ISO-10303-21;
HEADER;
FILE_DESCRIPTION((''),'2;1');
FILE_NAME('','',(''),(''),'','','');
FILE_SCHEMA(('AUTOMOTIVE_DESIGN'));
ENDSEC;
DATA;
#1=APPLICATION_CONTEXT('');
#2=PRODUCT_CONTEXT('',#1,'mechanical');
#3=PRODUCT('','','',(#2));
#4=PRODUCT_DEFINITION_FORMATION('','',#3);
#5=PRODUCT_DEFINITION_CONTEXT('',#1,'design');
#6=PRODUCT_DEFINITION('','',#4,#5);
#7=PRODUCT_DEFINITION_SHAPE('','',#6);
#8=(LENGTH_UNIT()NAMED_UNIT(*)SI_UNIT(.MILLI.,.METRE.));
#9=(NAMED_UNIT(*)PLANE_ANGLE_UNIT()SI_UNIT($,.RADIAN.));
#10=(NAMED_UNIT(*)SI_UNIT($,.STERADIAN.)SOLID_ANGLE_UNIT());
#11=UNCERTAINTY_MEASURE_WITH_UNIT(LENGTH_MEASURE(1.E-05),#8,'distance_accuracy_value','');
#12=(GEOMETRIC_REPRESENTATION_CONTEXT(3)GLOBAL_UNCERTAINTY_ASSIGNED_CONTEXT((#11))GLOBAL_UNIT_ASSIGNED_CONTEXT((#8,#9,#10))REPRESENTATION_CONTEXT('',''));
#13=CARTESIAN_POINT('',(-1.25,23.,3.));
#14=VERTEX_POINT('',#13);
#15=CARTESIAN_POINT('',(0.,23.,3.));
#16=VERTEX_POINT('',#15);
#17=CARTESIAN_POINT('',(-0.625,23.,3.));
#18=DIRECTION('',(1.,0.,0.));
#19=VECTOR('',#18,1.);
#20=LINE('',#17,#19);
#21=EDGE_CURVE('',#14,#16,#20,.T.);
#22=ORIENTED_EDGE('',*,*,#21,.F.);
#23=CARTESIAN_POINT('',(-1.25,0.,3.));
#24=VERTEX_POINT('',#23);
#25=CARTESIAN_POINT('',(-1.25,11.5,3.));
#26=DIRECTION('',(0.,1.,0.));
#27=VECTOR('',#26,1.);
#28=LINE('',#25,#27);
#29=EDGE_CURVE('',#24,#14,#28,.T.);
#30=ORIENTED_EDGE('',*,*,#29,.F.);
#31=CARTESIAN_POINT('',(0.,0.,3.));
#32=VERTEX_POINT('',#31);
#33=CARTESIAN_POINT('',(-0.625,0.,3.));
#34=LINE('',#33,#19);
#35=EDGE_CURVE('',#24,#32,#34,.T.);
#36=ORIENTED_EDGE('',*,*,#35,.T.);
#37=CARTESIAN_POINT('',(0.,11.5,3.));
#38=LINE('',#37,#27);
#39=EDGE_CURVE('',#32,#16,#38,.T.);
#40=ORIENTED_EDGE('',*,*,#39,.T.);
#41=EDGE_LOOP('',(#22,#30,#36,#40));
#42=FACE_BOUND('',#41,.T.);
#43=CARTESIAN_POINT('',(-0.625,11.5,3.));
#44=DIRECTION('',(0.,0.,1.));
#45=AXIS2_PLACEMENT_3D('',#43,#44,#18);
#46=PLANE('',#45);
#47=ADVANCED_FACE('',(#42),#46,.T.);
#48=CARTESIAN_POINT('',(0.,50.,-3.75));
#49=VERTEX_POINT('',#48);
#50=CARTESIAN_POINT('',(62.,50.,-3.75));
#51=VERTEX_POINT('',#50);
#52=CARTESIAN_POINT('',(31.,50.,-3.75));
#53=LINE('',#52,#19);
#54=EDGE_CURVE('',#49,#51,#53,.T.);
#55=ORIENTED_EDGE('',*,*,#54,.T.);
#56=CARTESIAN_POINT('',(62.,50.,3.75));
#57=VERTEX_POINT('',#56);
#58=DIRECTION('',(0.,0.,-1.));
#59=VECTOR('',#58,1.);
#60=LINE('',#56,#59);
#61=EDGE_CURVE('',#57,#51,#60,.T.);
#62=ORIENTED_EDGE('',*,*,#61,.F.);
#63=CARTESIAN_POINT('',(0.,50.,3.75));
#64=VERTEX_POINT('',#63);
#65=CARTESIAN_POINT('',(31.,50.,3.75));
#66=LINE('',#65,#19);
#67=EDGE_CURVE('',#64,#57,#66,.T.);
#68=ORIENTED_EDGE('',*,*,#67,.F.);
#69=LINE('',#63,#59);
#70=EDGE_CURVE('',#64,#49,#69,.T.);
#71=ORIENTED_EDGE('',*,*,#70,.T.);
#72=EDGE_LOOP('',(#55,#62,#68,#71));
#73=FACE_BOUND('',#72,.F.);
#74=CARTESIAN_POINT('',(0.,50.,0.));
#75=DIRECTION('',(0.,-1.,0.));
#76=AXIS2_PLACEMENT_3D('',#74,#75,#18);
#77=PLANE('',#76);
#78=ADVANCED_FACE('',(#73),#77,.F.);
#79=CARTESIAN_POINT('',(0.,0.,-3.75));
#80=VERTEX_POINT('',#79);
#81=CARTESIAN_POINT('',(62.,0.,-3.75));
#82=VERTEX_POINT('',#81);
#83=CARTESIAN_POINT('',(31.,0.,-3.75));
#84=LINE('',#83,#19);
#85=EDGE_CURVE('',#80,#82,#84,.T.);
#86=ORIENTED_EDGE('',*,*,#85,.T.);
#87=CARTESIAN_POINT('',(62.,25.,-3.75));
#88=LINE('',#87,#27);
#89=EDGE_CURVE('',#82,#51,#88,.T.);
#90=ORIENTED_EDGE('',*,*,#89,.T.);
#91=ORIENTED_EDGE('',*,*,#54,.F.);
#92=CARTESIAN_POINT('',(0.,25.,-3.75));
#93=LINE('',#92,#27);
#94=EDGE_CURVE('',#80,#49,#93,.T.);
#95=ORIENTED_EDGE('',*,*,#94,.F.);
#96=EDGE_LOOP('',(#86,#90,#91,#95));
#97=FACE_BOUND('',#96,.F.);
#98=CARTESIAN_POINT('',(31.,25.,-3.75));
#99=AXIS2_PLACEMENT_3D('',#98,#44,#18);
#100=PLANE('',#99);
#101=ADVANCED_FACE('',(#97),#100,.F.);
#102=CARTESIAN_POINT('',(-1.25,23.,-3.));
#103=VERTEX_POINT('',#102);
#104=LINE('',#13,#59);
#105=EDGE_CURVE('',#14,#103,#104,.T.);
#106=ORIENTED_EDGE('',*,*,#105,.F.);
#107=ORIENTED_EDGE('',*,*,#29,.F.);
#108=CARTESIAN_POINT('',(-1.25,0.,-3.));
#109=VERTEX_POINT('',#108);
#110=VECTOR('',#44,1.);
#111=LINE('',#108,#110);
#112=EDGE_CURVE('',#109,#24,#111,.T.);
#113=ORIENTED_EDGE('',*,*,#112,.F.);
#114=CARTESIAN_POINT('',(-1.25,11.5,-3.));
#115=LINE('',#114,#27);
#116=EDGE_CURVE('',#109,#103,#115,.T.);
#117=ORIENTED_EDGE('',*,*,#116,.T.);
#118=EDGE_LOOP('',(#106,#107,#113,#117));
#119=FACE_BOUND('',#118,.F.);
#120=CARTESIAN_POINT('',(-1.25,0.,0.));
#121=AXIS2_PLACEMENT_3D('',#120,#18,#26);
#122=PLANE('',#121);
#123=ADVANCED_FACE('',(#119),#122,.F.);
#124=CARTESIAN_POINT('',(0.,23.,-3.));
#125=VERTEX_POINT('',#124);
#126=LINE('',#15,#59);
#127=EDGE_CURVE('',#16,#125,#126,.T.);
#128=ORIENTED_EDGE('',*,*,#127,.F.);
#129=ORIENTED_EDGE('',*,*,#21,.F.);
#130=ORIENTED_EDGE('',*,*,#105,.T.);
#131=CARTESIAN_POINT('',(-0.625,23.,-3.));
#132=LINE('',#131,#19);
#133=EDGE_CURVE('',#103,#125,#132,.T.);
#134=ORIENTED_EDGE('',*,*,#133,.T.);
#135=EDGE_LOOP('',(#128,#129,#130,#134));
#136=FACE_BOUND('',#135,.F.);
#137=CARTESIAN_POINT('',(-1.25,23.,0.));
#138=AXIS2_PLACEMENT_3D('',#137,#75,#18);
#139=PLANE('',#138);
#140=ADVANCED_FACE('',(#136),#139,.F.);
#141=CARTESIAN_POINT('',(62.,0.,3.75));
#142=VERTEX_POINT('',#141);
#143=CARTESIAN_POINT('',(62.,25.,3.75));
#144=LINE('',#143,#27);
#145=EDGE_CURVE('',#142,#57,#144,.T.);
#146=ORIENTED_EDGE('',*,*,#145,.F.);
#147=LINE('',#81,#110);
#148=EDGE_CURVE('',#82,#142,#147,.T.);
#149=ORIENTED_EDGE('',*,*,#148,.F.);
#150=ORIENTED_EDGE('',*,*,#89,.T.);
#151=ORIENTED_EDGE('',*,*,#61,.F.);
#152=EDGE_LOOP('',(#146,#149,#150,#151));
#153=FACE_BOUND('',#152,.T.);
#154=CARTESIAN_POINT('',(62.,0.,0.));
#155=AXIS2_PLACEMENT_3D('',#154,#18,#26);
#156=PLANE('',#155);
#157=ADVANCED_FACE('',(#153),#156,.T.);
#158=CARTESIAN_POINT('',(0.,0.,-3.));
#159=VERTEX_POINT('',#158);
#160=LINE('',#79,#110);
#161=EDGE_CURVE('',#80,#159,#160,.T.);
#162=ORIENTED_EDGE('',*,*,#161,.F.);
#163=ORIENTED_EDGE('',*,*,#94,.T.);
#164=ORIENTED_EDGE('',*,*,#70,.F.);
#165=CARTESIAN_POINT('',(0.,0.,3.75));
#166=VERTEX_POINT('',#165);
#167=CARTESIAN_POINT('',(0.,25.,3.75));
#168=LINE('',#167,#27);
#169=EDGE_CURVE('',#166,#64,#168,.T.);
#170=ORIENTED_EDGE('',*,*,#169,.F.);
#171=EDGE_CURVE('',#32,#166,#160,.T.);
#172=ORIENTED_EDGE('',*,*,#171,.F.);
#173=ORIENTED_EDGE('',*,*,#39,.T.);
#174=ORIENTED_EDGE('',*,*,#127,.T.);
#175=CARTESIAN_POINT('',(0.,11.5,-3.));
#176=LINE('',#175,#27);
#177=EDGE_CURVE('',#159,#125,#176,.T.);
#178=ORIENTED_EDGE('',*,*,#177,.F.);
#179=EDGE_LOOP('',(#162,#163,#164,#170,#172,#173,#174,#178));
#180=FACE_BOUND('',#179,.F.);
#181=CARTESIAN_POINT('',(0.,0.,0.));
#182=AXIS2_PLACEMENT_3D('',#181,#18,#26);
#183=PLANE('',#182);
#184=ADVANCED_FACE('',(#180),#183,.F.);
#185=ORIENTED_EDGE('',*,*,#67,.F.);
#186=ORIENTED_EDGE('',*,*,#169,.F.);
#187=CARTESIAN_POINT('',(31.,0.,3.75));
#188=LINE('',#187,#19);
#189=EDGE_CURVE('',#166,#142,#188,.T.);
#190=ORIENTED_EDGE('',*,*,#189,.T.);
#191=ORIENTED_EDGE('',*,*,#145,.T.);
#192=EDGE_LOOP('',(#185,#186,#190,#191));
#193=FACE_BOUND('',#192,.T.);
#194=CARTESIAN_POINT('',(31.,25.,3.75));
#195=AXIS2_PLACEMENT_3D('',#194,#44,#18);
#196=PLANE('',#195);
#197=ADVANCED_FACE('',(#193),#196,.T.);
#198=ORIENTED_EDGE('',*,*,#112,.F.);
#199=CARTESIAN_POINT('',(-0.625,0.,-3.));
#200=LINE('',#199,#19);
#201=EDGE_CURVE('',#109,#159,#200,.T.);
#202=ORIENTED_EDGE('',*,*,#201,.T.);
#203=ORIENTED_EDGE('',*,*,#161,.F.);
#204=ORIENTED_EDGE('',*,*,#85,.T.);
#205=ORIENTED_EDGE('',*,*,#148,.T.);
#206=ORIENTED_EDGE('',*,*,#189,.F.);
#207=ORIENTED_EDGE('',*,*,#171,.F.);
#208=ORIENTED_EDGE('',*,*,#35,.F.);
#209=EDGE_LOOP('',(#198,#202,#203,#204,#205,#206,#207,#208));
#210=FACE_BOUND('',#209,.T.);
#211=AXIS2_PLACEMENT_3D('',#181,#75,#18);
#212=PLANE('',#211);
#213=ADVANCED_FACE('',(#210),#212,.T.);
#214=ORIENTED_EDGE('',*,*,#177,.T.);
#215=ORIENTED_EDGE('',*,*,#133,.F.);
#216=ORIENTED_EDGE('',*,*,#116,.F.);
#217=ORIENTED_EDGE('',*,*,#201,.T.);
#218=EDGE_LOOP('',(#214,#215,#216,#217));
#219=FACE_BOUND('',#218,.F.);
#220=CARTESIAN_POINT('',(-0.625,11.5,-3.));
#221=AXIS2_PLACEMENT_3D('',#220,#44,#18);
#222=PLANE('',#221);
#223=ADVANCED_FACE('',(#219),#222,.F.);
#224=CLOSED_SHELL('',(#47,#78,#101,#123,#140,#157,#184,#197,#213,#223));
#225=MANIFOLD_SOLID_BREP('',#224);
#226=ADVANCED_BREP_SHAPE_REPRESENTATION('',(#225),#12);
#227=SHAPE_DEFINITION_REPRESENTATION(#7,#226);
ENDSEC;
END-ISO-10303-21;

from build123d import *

# Parameters (mm, degrees)
SKETCH_W     = 62
SKETCH_H     = 50
PAD_DEPTH    = 3.75
SKETCH001_W  = 1.25
SKETCH001_H  = 23
PAD001_DEPTH = 3


with BuildPart() as part:
    # Sketch → Pad (new body, symmetric)
    with BuildSketch(Plane.XY):
        with Locations((31, 25)):
            Rectangle(SKETCH_W, SKETCH_H)
    extrude(amount=PAD_DEPTH, both=True)

    # Sketch001 → Pad001 (join, symmetric)
    with BuildSketch(Plane.XY):
        with Locations((-0.625, 11.5)):
            Rectangle(SKETCH001_W, SKETCH001_H)
    extrude(amount=PAD001_DEPTH, both=True)


solid = part.part
